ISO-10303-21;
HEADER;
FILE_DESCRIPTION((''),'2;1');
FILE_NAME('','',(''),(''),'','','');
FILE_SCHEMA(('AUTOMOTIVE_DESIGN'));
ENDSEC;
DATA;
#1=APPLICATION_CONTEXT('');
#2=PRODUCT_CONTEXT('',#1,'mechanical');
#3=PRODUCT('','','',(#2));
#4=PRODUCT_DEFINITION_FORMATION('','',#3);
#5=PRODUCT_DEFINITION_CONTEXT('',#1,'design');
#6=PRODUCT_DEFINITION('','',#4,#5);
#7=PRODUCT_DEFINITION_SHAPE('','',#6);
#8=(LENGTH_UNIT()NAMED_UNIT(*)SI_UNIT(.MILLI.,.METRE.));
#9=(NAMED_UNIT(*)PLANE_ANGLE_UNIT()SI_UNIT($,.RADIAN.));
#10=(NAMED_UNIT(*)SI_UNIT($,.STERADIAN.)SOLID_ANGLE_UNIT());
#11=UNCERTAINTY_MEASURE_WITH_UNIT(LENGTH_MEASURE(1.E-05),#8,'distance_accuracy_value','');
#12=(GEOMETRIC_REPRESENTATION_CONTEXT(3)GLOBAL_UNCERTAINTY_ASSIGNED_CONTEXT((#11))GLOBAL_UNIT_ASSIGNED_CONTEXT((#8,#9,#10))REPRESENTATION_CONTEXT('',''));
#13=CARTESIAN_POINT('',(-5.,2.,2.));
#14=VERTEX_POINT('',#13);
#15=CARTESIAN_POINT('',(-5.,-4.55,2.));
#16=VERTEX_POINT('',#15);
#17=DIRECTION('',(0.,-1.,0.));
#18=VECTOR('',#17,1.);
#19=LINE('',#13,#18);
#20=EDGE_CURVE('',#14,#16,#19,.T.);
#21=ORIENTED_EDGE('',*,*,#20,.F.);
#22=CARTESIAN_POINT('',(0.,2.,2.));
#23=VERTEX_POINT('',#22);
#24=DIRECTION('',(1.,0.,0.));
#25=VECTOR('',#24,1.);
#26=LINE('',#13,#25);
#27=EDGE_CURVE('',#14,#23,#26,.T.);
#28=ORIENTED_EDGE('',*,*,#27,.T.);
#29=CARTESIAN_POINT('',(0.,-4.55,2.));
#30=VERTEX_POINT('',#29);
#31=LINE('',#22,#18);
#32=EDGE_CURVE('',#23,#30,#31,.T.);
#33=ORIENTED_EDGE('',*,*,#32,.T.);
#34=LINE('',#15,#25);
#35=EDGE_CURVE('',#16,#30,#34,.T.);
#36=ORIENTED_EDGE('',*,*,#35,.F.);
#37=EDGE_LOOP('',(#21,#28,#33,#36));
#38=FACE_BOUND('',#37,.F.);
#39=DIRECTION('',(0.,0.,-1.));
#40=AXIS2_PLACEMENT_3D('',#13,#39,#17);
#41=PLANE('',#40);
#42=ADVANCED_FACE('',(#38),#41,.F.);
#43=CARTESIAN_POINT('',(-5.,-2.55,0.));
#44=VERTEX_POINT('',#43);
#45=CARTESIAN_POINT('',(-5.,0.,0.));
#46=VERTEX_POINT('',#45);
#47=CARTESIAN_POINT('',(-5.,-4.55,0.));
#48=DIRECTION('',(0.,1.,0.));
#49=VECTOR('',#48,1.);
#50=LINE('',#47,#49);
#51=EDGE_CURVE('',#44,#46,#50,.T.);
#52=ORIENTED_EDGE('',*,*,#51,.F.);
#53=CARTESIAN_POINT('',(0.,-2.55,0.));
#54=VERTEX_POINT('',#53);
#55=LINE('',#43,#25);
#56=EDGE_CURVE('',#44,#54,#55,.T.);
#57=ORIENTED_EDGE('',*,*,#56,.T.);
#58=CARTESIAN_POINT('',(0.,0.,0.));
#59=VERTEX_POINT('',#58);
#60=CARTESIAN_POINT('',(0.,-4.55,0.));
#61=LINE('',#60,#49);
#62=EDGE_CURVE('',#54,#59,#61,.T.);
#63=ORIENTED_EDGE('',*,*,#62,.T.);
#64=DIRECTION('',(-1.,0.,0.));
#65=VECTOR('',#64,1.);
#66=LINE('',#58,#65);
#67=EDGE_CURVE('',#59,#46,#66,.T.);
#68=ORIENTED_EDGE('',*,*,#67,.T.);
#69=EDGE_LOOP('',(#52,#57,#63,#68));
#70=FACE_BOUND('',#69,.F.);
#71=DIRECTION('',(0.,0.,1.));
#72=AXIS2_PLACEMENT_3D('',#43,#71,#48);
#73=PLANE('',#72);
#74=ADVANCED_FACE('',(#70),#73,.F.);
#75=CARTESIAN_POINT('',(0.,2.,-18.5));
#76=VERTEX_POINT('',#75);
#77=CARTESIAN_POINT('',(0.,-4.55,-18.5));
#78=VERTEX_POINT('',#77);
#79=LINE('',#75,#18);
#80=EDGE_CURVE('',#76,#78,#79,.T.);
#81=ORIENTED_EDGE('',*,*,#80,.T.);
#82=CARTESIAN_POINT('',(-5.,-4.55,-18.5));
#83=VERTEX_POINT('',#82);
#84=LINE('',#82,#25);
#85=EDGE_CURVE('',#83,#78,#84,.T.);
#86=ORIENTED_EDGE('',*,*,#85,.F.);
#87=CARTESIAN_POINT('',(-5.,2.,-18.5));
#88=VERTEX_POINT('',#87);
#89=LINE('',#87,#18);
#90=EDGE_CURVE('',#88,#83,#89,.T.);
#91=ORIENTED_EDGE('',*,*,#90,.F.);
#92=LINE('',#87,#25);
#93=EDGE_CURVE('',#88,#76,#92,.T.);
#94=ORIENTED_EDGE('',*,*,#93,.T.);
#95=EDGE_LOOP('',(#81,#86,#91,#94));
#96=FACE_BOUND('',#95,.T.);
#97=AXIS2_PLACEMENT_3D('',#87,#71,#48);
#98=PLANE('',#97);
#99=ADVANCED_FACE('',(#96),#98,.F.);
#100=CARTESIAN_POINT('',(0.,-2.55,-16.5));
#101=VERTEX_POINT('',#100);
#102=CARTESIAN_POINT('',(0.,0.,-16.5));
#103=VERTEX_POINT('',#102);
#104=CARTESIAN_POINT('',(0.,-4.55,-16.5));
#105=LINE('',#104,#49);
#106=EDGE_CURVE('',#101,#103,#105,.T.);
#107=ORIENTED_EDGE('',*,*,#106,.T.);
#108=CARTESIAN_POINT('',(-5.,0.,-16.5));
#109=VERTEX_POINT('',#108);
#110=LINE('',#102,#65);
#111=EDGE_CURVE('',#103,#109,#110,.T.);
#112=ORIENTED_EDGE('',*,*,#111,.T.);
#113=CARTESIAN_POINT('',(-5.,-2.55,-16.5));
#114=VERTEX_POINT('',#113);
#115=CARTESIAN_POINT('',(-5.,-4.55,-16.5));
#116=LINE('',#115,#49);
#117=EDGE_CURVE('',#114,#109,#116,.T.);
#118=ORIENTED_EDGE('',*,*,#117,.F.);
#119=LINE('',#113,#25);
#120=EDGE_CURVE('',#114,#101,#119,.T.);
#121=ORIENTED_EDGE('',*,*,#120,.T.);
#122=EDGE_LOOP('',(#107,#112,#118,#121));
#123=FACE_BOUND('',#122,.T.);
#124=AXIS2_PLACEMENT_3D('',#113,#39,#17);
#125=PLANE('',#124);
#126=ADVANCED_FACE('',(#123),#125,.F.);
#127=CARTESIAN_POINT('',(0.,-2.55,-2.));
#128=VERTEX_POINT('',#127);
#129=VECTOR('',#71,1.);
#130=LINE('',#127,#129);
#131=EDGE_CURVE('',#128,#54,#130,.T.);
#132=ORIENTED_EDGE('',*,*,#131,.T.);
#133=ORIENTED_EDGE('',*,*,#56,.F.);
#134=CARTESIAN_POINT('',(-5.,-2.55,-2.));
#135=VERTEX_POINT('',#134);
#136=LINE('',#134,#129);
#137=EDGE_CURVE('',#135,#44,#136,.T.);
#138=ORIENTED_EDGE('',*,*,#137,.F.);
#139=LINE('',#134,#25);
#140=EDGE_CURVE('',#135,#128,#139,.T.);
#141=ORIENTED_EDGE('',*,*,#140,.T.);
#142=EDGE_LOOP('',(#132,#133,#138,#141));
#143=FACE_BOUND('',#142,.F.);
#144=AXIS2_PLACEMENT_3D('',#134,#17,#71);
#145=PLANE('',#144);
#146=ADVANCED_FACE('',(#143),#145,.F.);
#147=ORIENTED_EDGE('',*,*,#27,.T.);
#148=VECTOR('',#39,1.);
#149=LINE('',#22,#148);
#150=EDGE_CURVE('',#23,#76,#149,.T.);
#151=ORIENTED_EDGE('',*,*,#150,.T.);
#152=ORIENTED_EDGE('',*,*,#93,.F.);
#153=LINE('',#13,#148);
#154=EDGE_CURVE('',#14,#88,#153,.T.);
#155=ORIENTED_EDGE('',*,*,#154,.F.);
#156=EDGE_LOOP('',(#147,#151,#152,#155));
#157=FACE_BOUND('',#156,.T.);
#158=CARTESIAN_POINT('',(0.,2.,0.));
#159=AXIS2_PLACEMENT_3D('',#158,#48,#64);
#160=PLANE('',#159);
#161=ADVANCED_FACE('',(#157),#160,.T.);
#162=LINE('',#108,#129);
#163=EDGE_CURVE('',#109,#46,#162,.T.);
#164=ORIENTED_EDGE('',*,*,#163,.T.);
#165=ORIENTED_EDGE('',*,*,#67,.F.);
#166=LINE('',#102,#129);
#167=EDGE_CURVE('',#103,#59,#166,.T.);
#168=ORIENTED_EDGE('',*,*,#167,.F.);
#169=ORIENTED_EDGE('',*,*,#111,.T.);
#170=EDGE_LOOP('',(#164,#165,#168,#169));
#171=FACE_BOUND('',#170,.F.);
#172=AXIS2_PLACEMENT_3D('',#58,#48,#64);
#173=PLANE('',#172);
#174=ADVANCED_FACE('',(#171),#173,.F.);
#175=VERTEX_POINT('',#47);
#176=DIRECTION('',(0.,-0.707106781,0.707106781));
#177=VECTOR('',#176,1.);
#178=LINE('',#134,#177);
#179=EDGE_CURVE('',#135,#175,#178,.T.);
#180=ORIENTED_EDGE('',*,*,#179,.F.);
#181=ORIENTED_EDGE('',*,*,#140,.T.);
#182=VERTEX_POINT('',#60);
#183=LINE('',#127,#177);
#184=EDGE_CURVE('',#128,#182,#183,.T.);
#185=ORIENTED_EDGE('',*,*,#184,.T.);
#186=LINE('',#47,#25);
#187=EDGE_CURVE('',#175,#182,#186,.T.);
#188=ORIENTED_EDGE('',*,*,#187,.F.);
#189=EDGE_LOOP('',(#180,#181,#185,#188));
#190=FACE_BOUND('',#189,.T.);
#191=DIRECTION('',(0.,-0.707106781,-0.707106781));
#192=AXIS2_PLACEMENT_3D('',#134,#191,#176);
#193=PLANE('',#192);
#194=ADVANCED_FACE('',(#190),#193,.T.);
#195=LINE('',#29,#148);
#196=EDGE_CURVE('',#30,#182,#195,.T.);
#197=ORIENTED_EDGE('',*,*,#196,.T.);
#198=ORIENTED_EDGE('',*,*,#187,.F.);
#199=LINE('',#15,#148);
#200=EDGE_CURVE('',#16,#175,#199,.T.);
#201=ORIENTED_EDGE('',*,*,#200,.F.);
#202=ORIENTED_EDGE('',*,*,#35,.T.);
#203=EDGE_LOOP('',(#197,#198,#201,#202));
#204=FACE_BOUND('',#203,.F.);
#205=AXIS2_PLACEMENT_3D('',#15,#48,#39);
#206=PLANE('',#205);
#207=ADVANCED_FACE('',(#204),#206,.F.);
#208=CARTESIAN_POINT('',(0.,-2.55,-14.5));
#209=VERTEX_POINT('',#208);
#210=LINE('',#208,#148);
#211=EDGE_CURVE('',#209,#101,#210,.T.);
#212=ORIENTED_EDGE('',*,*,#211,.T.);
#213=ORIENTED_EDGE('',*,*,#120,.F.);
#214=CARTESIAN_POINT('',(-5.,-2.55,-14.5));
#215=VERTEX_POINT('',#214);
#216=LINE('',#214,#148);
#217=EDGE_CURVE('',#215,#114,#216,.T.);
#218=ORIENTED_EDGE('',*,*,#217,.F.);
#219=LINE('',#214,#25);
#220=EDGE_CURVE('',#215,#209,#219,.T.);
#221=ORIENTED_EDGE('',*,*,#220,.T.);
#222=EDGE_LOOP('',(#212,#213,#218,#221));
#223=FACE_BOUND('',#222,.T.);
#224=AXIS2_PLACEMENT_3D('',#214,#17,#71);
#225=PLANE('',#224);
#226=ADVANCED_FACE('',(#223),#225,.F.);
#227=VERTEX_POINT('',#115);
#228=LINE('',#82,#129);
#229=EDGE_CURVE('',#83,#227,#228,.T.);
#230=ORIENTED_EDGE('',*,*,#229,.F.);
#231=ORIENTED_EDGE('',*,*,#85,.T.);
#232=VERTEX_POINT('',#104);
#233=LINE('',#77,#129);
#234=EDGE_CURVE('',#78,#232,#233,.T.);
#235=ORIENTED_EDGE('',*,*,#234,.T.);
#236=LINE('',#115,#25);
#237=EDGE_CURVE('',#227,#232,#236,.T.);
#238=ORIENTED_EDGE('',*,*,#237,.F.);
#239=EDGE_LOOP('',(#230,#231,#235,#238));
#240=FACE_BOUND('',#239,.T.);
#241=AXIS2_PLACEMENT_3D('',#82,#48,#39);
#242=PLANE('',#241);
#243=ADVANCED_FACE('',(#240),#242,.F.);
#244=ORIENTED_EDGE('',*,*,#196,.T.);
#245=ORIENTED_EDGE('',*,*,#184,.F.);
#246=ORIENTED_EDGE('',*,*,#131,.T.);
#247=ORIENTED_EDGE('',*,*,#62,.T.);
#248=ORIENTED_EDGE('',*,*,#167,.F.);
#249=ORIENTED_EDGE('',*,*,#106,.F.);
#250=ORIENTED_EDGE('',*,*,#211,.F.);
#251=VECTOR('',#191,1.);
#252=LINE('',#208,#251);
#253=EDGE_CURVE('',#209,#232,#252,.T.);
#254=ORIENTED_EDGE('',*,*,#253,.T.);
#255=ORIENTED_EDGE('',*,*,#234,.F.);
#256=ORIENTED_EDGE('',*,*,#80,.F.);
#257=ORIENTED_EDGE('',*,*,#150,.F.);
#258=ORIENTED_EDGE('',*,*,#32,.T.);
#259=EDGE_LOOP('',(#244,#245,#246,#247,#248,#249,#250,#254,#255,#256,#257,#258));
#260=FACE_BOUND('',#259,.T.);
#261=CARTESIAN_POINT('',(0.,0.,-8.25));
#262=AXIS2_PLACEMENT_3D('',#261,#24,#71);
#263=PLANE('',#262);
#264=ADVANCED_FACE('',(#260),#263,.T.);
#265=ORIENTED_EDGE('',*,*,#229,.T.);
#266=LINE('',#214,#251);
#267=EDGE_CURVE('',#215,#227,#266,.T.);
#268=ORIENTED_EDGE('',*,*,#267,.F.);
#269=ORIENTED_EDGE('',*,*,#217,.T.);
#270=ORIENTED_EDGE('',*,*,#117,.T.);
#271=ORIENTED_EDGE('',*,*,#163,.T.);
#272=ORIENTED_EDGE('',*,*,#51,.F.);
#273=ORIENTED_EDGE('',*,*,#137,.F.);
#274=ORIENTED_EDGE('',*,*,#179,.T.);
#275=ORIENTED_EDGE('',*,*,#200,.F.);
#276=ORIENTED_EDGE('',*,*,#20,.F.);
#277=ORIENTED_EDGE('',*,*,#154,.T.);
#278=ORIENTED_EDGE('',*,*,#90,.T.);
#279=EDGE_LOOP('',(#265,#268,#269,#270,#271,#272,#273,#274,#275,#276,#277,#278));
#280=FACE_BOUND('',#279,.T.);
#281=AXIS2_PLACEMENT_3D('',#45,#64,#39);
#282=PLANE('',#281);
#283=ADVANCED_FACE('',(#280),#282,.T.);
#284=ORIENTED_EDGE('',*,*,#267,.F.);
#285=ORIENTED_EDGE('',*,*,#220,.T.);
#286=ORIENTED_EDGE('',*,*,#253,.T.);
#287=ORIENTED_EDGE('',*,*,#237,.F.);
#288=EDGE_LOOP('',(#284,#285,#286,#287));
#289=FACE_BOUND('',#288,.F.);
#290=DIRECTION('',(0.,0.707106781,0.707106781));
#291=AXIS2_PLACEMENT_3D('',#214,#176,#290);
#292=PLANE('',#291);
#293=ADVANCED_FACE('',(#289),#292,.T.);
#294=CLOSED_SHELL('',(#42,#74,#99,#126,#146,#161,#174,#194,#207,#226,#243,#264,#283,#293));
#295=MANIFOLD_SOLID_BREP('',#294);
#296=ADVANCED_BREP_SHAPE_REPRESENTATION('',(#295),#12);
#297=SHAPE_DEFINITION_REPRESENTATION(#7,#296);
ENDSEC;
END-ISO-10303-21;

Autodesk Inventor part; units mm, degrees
ref_plane "YZ Plane" through (0, 0, 0) normal (1, 0, 0) x (0, 1, 0)
ref_plane "XZ Plane" through (0, 0, 0) normal (0, 1, 0) x (-1, 0, 0)
ref_plane "XY Plane" through (0, 0, 0) normal (0, 0, 1) x (1, 0, 0)
sketch "Эскиз1" plane through (0, 0, 0) normal (0, 1, 0) x (-1, 0, 0)
  line L0 (0, 0) -> (5, 0)
  line L1 (5, 0) -> (5, -8.25)
  line L2 (5, -8.25) -> (0, -8.25)
  line L3 (0, -8.25) -> (0, 0)
  dimension "d0" = 5
  dimension "d1" = 8.25
extrude "Выдавливание1" add sketch "Эскиз1" along normal blind 2
sketch "Эскиз2" plane through (-5, 0, -8.25) normal (-1, 0, 0) x (0, 0, 1)
  line L0 (8.25, 2) -> (0, 2) projected
  line L1 (8.25, 2) -> (10.25, 2)
  line L2 (10.25, 2) -> (10.25, -4.55)
  line L3 (10.25, -4.55) -> (8.25, -4.55)
  line L4 (8.25, -4.55) -> (8.25, 2)
  line L5 (8.25, -4.55) -> (6.25, -4.55)
  line L6 (6.25, -4.55) -> (6.25, -2.55)
  line L7 (6.25, -2.55) -> (8.25, -2.55)
  line L8 (8.25, -2.55) -> (8.25, -4.55)
  line L9 (6.25, -2.55) -> (8.25, -4.55)
  point P0 (8.25, 0)
  dimension "d4" = 2
  dimension "d5" = 6.55
  dimension "d6" = 2
  dimension "d7" = 2
extrude "Выдавливание2" add sketch "Эскиз2" against normal blind 5 contours L1 L2 L3 L4 | L4 L9 L7
mirror "Зеркальное отражение1" about plane through (0, 0, -8.25) normal (0, 0, -1)
properties part number "Тестовая крышка"
